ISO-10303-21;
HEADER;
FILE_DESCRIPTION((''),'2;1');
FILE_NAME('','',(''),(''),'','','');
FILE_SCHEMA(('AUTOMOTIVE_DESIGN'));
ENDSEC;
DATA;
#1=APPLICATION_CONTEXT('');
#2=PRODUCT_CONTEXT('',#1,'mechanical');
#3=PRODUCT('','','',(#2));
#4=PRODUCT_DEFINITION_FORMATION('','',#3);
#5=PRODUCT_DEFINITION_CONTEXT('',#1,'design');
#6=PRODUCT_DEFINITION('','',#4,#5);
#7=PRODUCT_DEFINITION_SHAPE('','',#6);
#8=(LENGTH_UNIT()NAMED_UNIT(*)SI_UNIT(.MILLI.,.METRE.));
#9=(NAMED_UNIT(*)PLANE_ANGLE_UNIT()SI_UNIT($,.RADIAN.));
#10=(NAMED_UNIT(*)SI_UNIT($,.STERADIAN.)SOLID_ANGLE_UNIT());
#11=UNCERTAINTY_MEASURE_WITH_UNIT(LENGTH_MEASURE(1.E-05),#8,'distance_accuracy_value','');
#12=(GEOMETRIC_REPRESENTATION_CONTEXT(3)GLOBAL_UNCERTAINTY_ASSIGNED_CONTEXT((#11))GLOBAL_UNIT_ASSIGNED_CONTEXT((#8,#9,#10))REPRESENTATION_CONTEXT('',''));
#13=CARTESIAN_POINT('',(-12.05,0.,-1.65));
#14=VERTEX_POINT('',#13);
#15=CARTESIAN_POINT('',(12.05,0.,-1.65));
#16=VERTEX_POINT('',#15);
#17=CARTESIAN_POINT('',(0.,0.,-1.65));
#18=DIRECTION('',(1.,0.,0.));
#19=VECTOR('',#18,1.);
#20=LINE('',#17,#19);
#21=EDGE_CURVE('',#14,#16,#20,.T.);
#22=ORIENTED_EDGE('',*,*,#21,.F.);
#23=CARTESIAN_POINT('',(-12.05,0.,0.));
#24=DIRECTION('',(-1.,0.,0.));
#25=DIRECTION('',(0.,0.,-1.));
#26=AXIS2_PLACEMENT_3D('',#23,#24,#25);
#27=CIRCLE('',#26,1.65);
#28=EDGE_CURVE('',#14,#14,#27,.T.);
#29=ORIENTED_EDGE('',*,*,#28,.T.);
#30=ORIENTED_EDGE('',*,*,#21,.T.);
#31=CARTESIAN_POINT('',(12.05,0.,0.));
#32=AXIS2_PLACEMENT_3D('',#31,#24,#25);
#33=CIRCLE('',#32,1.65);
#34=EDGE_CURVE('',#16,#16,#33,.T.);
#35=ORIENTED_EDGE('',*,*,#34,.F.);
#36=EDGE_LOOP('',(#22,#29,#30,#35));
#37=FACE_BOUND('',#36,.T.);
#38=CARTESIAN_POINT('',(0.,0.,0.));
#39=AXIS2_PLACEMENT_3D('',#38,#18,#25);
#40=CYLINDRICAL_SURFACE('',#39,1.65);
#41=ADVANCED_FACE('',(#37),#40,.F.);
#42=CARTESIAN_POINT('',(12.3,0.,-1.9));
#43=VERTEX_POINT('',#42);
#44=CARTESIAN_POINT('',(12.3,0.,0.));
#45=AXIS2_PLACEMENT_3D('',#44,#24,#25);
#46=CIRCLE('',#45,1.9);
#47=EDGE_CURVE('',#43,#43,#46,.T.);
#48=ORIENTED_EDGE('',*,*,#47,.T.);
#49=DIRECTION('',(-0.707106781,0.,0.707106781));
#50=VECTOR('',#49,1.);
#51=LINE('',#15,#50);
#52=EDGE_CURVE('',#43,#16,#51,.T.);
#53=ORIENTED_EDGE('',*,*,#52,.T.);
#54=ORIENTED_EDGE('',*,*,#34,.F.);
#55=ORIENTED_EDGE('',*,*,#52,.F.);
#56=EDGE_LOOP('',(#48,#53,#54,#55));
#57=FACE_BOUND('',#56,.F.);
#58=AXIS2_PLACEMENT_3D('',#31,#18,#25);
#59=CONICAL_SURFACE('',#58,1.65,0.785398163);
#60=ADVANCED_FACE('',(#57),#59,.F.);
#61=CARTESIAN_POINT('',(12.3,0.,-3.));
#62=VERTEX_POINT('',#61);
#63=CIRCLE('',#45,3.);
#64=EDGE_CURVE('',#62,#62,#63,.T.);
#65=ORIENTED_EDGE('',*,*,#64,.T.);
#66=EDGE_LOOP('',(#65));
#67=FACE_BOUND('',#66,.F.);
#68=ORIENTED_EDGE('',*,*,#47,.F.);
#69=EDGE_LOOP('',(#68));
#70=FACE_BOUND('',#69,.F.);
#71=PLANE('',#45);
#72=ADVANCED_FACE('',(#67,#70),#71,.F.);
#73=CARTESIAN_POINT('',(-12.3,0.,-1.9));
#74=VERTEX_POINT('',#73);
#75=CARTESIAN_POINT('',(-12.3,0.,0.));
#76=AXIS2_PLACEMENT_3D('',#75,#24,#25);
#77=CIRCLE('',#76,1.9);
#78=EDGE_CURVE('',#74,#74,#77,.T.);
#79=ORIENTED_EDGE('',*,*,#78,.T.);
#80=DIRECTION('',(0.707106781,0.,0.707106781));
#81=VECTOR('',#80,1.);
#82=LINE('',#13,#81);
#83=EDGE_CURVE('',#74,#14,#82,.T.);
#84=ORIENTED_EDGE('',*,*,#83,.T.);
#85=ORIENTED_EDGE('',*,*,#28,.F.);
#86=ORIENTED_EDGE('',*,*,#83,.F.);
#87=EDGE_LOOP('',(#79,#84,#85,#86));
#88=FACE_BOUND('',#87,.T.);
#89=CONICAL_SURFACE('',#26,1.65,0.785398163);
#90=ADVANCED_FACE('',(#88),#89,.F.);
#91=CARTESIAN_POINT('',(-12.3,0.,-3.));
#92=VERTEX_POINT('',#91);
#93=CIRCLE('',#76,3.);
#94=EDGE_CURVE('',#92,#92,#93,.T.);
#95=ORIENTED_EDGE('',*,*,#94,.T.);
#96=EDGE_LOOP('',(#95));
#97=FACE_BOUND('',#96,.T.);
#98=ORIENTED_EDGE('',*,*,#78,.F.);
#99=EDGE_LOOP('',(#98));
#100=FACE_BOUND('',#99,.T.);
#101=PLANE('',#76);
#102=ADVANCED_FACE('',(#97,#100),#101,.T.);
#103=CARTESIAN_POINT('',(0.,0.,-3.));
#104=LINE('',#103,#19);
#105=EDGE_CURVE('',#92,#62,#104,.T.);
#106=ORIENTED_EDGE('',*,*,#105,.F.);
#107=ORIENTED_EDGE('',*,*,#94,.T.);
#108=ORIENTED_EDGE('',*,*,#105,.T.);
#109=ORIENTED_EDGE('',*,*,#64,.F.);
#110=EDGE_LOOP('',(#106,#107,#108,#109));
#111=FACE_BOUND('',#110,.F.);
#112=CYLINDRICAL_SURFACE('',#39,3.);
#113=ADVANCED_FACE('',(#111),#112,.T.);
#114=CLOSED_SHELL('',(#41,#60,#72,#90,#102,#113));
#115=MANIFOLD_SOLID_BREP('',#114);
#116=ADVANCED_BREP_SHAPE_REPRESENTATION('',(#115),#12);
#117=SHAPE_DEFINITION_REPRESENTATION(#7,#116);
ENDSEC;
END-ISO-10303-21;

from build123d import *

# Parameters (mm, degrees)
F0_W     = 24.6
F0_H     = 1.35
F2_SIZE2 = 0.25
F2_SIZE  = 0.25


with BuildPart() as f1:
    # F0 (on Front) → F1 (revolve)
    with BuildSketch(Plane.XZ):
        with Locations((0, -2.325)):
            Rectangle(F0_W, F0_H)
    revolve(axis=Axis((-20.560347, 0, 0), (-1, 0, 0)))

    # F2
    f2_edges = [f1.edges().sort_by_distance(p)[0] for p in [
        (12.3, 0, 1.65),
        (-12.3, 0, 1.65),
        (0, 0, -1.65),
    ]]
    chamfer(f2_edges, length=F2_SIZE, length2=F2_SIZE2)


solid = f1.part
